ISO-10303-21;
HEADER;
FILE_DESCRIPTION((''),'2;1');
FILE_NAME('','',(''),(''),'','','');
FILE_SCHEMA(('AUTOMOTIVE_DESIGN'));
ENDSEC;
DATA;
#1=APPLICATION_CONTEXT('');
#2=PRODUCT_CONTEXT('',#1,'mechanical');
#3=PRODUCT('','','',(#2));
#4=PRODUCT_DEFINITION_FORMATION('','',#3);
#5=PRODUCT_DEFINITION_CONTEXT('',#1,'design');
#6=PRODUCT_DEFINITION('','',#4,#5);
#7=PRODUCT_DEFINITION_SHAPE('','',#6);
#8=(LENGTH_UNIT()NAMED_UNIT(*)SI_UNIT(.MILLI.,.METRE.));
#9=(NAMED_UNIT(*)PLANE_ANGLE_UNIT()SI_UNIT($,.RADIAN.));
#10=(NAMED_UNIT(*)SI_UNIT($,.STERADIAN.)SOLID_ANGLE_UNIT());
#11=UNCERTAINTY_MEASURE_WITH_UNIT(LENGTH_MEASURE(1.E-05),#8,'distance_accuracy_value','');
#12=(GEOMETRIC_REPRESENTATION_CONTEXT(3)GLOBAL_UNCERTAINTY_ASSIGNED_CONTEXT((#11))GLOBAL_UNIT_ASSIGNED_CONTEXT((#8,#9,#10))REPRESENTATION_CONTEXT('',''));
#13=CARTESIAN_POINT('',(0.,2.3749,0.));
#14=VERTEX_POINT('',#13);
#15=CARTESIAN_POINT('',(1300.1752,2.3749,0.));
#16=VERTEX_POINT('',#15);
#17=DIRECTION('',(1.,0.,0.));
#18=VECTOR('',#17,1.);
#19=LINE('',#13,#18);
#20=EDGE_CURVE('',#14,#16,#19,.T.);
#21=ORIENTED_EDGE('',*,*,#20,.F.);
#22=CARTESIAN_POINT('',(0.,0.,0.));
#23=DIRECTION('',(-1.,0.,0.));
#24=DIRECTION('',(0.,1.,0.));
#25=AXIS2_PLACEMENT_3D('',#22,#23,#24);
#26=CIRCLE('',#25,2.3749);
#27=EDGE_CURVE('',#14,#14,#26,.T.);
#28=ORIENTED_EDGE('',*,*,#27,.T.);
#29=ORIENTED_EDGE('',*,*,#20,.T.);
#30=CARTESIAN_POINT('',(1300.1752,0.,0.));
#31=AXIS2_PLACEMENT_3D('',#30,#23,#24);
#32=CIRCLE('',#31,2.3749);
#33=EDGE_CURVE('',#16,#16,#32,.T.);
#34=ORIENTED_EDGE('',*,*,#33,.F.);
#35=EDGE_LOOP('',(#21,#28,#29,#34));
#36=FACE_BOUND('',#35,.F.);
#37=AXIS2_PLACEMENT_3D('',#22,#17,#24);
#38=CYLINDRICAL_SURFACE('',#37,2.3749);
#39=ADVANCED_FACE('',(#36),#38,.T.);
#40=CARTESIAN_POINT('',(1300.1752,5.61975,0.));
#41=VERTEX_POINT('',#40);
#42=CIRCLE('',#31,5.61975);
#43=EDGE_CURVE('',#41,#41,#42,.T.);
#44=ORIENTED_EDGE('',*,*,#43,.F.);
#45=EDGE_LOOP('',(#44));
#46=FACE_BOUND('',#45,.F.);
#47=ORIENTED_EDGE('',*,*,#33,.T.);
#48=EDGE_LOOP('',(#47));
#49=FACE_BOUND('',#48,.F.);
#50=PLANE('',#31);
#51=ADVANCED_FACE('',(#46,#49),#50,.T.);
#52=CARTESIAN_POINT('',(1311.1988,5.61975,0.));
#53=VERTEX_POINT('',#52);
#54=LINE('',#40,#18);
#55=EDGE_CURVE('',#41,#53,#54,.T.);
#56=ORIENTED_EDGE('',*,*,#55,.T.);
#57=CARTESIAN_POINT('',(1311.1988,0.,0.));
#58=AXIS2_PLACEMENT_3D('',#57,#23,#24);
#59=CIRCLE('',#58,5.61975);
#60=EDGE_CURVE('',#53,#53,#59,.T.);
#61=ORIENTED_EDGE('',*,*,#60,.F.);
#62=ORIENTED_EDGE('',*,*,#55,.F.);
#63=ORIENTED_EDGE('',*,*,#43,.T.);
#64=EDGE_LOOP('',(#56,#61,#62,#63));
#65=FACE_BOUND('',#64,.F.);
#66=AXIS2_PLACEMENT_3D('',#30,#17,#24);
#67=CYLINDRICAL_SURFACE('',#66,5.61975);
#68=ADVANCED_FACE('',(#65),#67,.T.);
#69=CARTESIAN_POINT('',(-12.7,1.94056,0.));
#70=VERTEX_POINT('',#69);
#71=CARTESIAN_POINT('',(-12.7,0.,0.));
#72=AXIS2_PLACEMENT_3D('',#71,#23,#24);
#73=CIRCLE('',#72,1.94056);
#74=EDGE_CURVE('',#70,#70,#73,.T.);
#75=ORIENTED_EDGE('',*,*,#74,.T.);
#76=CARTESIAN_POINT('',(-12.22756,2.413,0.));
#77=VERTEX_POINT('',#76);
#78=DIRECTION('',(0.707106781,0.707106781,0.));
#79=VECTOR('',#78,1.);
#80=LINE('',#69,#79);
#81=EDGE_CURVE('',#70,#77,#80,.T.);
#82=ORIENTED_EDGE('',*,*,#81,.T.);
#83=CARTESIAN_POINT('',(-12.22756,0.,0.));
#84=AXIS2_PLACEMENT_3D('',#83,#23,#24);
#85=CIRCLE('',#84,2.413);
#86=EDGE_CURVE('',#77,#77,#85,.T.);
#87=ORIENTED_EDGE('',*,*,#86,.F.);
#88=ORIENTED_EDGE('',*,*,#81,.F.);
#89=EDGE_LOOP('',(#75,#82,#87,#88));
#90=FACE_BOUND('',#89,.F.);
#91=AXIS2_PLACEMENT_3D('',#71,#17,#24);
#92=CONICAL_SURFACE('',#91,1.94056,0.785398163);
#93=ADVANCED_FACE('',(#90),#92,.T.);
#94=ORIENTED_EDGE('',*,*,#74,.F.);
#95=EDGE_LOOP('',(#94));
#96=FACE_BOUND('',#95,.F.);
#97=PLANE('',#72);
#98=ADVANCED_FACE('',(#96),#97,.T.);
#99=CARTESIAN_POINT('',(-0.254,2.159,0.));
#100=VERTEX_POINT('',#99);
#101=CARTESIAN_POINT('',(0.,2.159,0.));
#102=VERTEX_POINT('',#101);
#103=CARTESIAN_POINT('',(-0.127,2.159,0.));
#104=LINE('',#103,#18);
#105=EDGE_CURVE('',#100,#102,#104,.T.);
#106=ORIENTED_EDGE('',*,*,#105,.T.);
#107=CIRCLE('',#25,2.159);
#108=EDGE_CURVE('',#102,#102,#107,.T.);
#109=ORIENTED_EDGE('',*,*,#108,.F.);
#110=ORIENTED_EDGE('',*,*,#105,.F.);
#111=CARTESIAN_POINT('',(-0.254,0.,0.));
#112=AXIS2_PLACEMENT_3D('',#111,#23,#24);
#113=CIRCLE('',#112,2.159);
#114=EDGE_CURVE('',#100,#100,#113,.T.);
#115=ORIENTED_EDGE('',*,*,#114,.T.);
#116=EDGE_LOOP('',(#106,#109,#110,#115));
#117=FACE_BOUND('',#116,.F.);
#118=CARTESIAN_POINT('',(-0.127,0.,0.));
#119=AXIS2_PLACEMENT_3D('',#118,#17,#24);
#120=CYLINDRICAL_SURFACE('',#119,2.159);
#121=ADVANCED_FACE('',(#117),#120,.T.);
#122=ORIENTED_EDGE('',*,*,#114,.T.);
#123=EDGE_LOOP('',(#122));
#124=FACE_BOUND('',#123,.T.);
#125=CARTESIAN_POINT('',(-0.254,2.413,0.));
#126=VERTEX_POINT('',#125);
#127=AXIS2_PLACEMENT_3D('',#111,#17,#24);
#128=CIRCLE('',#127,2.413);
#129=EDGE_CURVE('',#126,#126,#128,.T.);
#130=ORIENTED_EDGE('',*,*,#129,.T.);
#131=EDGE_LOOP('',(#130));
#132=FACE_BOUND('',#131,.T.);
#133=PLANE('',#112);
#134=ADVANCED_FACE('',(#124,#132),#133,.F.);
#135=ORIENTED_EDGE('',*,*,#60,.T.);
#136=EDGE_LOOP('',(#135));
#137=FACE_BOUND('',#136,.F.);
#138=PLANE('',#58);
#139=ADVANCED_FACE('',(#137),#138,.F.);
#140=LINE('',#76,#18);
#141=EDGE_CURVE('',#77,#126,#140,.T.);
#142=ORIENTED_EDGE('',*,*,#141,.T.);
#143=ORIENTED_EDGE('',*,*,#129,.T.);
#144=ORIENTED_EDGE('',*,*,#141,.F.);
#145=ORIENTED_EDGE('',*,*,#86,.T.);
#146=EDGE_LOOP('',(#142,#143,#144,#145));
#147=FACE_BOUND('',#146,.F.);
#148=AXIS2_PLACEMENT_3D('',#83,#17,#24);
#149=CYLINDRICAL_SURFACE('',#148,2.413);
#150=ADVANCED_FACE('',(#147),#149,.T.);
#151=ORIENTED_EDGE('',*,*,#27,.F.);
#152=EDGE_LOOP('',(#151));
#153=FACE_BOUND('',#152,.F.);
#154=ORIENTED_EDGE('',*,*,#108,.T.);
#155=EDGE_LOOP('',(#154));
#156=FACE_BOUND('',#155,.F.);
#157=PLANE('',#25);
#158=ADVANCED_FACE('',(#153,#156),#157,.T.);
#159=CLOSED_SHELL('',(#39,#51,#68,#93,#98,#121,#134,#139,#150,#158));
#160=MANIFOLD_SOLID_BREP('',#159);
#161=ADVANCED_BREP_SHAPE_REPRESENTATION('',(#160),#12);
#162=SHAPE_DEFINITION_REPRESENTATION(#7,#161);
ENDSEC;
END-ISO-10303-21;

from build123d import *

# Parameters (mm, degrees)
SKETCH3_W = 0.254
SKETCH3_H = 0.508


with BuildPart() as part:
    # Sketch1 → Revolve1 (revolve)
    with BuildSketch(Plane.XY):
        Polygon((0, 0), (0, 2.3749), (1300.1752, 2.3749), (1300.1752, 5.61975), (1311.1988, 5.61975), (1311.1988, 0), align=None)
    revolve(axis=Axis((1311.1988, 0, 0), (-1, 0, 0)))

    # Sketch2 → Revolve2 (revolve)
    with BuildSketch(Plane.XY):
        Polygon((-12.7, 0), (-12.7, 1.94056), (-12.22756, 2.413), (0, 2.413), (0, 0), align=None)
    revolve(axis=Axis((0, 0, 0), (-1, 0, 0)))

    # Sketch3 → Cut-Revolve1 (revolve, cut)
    with BuildSketch(Plane.XY):
        with Locations((-0.127, 2.413)):
            Rectangle(SKETCH3_W, SKETCH3_H)
    revolve(axis=Axis((0, 0, 0), (-1, 0, 0)), mode=Mode.SUBTRACT)


solid = part.part
